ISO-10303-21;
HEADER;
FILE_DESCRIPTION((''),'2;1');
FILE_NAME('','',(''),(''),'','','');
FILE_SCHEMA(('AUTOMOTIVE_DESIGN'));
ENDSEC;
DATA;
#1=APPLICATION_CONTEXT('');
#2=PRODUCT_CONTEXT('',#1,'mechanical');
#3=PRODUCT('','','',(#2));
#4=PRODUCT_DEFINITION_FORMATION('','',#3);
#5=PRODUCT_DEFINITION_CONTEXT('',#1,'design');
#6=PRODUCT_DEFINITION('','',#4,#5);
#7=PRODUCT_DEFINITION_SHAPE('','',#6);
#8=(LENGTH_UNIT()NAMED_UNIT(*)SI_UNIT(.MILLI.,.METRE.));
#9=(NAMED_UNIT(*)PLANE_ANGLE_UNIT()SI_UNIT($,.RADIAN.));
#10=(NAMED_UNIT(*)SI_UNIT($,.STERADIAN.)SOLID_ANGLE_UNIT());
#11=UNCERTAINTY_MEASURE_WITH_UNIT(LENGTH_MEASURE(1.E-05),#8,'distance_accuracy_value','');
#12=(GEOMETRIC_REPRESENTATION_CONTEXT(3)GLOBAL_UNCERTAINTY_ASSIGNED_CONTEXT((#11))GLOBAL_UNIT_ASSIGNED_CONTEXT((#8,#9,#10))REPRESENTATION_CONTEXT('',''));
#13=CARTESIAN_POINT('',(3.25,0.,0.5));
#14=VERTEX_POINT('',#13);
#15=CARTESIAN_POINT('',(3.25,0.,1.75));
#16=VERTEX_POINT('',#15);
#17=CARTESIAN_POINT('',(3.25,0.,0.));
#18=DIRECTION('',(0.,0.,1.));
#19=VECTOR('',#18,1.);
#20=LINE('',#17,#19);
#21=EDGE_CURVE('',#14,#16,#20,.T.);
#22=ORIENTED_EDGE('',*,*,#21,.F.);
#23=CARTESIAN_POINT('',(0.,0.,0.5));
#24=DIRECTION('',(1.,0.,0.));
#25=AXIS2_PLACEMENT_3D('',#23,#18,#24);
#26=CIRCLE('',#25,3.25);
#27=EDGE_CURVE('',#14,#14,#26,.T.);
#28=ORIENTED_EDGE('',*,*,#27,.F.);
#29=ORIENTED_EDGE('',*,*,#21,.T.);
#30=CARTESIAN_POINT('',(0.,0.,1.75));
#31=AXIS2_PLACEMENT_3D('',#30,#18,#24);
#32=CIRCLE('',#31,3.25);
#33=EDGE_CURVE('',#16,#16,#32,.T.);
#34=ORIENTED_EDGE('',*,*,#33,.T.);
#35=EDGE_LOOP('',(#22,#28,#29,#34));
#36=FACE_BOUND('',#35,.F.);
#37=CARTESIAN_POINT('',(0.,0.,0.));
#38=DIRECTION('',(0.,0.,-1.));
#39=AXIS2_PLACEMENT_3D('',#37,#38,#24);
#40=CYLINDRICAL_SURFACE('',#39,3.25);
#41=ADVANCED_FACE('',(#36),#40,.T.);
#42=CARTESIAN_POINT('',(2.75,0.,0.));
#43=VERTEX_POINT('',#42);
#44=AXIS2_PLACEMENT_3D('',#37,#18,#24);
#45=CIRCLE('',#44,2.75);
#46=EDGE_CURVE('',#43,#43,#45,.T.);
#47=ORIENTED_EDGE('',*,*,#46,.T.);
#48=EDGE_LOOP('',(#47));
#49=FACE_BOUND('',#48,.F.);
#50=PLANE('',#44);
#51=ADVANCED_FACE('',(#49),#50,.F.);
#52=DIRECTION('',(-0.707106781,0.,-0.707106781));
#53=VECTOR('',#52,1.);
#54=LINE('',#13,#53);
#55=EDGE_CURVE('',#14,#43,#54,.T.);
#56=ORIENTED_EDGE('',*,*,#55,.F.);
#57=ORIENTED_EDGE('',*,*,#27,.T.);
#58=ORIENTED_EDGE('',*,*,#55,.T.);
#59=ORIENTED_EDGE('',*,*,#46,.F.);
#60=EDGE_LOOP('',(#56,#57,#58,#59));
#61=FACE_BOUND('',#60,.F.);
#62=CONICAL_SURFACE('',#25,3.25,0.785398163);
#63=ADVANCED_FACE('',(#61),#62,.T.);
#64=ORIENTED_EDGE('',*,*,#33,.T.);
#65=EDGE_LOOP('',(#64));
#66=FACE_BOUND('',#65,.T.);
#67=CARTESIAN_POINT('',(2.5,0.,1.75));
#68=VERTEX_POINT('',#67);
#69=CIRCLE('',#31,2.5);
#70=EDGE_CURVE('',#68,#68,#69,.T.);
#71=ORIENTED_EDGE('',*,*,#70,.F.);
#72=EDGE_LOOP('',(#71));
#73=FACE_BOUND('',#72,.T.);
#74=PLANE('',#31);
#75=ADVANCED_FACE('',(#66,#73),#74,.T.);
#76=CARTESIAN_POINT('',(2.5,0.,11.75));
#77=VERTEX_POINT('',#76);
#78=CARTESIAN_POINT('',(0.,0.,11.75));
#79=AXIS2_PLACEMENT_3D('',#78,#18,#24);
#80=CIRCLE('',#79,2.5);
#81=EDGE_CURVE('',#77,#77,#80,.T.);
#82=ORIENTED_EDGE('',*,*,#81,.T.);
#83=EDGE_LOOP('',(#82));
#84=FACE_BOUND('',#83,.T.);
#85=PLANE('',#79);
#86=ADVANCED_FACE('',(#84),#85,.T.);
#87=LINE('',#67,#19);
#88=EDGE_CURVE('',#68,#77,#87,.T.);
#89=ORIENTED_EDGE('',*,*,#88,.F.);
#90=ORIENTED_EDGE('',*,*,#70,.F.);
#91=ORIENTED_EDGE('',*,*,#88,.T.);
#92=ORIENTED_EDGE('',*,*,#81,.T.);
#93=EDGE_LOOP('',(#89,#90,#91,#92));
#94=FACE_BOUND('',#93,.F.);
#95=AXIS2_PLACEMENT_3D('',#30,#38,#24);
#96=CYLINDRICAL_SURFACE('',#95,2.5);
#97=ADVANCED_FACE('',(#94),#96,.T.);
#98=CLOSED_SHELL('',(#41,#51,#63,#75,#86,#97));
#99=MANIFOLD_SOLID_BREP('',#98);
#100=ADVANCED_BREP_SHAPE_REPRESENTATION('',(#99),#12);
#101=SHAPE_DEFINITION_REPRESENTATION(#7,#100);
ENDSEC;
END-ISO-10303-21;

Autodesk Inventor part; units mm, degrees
ref_plane "YZ Plane" through (0, 0, 0) normal (1, 0, 0) x (0, 1, 0)
ref_plane "XZ Plane" through (0, 0, 0) normal (0, 1, 0) x (-1, 0, 0)
ref_plane "XY Plane" through (0, 0, 0) normal (0, 0, 1) x (1, 0, 0)
sketch "Sketch1" plane through (0, 0, 0) normal (0, 0, 1) x (1, 0, 0)
  circle A0 centre (0, 0) radius 3.25
extrude "Extrusion1" add sketch "Sketch1" along normal blind 1.75
sketch "Sketch2" plane through (0, 0, 1.75) normal (0, 0, 1) x (1, 0, 0)
  circle A0 centre (0, 0) radius 2.5
extrude "Extrusion2" add sketch "Sketch2" along normal blind 10
thread "Thread1" size "M3x0.5" class "6g" standard "ANSI Metric M Profile" length 10
chamfer "Chamfer1" distance 0.5 angle 45 1 edges at (-3.25, 0, 0)
properties part number "Bolt2" material "Steel, Carbon"
